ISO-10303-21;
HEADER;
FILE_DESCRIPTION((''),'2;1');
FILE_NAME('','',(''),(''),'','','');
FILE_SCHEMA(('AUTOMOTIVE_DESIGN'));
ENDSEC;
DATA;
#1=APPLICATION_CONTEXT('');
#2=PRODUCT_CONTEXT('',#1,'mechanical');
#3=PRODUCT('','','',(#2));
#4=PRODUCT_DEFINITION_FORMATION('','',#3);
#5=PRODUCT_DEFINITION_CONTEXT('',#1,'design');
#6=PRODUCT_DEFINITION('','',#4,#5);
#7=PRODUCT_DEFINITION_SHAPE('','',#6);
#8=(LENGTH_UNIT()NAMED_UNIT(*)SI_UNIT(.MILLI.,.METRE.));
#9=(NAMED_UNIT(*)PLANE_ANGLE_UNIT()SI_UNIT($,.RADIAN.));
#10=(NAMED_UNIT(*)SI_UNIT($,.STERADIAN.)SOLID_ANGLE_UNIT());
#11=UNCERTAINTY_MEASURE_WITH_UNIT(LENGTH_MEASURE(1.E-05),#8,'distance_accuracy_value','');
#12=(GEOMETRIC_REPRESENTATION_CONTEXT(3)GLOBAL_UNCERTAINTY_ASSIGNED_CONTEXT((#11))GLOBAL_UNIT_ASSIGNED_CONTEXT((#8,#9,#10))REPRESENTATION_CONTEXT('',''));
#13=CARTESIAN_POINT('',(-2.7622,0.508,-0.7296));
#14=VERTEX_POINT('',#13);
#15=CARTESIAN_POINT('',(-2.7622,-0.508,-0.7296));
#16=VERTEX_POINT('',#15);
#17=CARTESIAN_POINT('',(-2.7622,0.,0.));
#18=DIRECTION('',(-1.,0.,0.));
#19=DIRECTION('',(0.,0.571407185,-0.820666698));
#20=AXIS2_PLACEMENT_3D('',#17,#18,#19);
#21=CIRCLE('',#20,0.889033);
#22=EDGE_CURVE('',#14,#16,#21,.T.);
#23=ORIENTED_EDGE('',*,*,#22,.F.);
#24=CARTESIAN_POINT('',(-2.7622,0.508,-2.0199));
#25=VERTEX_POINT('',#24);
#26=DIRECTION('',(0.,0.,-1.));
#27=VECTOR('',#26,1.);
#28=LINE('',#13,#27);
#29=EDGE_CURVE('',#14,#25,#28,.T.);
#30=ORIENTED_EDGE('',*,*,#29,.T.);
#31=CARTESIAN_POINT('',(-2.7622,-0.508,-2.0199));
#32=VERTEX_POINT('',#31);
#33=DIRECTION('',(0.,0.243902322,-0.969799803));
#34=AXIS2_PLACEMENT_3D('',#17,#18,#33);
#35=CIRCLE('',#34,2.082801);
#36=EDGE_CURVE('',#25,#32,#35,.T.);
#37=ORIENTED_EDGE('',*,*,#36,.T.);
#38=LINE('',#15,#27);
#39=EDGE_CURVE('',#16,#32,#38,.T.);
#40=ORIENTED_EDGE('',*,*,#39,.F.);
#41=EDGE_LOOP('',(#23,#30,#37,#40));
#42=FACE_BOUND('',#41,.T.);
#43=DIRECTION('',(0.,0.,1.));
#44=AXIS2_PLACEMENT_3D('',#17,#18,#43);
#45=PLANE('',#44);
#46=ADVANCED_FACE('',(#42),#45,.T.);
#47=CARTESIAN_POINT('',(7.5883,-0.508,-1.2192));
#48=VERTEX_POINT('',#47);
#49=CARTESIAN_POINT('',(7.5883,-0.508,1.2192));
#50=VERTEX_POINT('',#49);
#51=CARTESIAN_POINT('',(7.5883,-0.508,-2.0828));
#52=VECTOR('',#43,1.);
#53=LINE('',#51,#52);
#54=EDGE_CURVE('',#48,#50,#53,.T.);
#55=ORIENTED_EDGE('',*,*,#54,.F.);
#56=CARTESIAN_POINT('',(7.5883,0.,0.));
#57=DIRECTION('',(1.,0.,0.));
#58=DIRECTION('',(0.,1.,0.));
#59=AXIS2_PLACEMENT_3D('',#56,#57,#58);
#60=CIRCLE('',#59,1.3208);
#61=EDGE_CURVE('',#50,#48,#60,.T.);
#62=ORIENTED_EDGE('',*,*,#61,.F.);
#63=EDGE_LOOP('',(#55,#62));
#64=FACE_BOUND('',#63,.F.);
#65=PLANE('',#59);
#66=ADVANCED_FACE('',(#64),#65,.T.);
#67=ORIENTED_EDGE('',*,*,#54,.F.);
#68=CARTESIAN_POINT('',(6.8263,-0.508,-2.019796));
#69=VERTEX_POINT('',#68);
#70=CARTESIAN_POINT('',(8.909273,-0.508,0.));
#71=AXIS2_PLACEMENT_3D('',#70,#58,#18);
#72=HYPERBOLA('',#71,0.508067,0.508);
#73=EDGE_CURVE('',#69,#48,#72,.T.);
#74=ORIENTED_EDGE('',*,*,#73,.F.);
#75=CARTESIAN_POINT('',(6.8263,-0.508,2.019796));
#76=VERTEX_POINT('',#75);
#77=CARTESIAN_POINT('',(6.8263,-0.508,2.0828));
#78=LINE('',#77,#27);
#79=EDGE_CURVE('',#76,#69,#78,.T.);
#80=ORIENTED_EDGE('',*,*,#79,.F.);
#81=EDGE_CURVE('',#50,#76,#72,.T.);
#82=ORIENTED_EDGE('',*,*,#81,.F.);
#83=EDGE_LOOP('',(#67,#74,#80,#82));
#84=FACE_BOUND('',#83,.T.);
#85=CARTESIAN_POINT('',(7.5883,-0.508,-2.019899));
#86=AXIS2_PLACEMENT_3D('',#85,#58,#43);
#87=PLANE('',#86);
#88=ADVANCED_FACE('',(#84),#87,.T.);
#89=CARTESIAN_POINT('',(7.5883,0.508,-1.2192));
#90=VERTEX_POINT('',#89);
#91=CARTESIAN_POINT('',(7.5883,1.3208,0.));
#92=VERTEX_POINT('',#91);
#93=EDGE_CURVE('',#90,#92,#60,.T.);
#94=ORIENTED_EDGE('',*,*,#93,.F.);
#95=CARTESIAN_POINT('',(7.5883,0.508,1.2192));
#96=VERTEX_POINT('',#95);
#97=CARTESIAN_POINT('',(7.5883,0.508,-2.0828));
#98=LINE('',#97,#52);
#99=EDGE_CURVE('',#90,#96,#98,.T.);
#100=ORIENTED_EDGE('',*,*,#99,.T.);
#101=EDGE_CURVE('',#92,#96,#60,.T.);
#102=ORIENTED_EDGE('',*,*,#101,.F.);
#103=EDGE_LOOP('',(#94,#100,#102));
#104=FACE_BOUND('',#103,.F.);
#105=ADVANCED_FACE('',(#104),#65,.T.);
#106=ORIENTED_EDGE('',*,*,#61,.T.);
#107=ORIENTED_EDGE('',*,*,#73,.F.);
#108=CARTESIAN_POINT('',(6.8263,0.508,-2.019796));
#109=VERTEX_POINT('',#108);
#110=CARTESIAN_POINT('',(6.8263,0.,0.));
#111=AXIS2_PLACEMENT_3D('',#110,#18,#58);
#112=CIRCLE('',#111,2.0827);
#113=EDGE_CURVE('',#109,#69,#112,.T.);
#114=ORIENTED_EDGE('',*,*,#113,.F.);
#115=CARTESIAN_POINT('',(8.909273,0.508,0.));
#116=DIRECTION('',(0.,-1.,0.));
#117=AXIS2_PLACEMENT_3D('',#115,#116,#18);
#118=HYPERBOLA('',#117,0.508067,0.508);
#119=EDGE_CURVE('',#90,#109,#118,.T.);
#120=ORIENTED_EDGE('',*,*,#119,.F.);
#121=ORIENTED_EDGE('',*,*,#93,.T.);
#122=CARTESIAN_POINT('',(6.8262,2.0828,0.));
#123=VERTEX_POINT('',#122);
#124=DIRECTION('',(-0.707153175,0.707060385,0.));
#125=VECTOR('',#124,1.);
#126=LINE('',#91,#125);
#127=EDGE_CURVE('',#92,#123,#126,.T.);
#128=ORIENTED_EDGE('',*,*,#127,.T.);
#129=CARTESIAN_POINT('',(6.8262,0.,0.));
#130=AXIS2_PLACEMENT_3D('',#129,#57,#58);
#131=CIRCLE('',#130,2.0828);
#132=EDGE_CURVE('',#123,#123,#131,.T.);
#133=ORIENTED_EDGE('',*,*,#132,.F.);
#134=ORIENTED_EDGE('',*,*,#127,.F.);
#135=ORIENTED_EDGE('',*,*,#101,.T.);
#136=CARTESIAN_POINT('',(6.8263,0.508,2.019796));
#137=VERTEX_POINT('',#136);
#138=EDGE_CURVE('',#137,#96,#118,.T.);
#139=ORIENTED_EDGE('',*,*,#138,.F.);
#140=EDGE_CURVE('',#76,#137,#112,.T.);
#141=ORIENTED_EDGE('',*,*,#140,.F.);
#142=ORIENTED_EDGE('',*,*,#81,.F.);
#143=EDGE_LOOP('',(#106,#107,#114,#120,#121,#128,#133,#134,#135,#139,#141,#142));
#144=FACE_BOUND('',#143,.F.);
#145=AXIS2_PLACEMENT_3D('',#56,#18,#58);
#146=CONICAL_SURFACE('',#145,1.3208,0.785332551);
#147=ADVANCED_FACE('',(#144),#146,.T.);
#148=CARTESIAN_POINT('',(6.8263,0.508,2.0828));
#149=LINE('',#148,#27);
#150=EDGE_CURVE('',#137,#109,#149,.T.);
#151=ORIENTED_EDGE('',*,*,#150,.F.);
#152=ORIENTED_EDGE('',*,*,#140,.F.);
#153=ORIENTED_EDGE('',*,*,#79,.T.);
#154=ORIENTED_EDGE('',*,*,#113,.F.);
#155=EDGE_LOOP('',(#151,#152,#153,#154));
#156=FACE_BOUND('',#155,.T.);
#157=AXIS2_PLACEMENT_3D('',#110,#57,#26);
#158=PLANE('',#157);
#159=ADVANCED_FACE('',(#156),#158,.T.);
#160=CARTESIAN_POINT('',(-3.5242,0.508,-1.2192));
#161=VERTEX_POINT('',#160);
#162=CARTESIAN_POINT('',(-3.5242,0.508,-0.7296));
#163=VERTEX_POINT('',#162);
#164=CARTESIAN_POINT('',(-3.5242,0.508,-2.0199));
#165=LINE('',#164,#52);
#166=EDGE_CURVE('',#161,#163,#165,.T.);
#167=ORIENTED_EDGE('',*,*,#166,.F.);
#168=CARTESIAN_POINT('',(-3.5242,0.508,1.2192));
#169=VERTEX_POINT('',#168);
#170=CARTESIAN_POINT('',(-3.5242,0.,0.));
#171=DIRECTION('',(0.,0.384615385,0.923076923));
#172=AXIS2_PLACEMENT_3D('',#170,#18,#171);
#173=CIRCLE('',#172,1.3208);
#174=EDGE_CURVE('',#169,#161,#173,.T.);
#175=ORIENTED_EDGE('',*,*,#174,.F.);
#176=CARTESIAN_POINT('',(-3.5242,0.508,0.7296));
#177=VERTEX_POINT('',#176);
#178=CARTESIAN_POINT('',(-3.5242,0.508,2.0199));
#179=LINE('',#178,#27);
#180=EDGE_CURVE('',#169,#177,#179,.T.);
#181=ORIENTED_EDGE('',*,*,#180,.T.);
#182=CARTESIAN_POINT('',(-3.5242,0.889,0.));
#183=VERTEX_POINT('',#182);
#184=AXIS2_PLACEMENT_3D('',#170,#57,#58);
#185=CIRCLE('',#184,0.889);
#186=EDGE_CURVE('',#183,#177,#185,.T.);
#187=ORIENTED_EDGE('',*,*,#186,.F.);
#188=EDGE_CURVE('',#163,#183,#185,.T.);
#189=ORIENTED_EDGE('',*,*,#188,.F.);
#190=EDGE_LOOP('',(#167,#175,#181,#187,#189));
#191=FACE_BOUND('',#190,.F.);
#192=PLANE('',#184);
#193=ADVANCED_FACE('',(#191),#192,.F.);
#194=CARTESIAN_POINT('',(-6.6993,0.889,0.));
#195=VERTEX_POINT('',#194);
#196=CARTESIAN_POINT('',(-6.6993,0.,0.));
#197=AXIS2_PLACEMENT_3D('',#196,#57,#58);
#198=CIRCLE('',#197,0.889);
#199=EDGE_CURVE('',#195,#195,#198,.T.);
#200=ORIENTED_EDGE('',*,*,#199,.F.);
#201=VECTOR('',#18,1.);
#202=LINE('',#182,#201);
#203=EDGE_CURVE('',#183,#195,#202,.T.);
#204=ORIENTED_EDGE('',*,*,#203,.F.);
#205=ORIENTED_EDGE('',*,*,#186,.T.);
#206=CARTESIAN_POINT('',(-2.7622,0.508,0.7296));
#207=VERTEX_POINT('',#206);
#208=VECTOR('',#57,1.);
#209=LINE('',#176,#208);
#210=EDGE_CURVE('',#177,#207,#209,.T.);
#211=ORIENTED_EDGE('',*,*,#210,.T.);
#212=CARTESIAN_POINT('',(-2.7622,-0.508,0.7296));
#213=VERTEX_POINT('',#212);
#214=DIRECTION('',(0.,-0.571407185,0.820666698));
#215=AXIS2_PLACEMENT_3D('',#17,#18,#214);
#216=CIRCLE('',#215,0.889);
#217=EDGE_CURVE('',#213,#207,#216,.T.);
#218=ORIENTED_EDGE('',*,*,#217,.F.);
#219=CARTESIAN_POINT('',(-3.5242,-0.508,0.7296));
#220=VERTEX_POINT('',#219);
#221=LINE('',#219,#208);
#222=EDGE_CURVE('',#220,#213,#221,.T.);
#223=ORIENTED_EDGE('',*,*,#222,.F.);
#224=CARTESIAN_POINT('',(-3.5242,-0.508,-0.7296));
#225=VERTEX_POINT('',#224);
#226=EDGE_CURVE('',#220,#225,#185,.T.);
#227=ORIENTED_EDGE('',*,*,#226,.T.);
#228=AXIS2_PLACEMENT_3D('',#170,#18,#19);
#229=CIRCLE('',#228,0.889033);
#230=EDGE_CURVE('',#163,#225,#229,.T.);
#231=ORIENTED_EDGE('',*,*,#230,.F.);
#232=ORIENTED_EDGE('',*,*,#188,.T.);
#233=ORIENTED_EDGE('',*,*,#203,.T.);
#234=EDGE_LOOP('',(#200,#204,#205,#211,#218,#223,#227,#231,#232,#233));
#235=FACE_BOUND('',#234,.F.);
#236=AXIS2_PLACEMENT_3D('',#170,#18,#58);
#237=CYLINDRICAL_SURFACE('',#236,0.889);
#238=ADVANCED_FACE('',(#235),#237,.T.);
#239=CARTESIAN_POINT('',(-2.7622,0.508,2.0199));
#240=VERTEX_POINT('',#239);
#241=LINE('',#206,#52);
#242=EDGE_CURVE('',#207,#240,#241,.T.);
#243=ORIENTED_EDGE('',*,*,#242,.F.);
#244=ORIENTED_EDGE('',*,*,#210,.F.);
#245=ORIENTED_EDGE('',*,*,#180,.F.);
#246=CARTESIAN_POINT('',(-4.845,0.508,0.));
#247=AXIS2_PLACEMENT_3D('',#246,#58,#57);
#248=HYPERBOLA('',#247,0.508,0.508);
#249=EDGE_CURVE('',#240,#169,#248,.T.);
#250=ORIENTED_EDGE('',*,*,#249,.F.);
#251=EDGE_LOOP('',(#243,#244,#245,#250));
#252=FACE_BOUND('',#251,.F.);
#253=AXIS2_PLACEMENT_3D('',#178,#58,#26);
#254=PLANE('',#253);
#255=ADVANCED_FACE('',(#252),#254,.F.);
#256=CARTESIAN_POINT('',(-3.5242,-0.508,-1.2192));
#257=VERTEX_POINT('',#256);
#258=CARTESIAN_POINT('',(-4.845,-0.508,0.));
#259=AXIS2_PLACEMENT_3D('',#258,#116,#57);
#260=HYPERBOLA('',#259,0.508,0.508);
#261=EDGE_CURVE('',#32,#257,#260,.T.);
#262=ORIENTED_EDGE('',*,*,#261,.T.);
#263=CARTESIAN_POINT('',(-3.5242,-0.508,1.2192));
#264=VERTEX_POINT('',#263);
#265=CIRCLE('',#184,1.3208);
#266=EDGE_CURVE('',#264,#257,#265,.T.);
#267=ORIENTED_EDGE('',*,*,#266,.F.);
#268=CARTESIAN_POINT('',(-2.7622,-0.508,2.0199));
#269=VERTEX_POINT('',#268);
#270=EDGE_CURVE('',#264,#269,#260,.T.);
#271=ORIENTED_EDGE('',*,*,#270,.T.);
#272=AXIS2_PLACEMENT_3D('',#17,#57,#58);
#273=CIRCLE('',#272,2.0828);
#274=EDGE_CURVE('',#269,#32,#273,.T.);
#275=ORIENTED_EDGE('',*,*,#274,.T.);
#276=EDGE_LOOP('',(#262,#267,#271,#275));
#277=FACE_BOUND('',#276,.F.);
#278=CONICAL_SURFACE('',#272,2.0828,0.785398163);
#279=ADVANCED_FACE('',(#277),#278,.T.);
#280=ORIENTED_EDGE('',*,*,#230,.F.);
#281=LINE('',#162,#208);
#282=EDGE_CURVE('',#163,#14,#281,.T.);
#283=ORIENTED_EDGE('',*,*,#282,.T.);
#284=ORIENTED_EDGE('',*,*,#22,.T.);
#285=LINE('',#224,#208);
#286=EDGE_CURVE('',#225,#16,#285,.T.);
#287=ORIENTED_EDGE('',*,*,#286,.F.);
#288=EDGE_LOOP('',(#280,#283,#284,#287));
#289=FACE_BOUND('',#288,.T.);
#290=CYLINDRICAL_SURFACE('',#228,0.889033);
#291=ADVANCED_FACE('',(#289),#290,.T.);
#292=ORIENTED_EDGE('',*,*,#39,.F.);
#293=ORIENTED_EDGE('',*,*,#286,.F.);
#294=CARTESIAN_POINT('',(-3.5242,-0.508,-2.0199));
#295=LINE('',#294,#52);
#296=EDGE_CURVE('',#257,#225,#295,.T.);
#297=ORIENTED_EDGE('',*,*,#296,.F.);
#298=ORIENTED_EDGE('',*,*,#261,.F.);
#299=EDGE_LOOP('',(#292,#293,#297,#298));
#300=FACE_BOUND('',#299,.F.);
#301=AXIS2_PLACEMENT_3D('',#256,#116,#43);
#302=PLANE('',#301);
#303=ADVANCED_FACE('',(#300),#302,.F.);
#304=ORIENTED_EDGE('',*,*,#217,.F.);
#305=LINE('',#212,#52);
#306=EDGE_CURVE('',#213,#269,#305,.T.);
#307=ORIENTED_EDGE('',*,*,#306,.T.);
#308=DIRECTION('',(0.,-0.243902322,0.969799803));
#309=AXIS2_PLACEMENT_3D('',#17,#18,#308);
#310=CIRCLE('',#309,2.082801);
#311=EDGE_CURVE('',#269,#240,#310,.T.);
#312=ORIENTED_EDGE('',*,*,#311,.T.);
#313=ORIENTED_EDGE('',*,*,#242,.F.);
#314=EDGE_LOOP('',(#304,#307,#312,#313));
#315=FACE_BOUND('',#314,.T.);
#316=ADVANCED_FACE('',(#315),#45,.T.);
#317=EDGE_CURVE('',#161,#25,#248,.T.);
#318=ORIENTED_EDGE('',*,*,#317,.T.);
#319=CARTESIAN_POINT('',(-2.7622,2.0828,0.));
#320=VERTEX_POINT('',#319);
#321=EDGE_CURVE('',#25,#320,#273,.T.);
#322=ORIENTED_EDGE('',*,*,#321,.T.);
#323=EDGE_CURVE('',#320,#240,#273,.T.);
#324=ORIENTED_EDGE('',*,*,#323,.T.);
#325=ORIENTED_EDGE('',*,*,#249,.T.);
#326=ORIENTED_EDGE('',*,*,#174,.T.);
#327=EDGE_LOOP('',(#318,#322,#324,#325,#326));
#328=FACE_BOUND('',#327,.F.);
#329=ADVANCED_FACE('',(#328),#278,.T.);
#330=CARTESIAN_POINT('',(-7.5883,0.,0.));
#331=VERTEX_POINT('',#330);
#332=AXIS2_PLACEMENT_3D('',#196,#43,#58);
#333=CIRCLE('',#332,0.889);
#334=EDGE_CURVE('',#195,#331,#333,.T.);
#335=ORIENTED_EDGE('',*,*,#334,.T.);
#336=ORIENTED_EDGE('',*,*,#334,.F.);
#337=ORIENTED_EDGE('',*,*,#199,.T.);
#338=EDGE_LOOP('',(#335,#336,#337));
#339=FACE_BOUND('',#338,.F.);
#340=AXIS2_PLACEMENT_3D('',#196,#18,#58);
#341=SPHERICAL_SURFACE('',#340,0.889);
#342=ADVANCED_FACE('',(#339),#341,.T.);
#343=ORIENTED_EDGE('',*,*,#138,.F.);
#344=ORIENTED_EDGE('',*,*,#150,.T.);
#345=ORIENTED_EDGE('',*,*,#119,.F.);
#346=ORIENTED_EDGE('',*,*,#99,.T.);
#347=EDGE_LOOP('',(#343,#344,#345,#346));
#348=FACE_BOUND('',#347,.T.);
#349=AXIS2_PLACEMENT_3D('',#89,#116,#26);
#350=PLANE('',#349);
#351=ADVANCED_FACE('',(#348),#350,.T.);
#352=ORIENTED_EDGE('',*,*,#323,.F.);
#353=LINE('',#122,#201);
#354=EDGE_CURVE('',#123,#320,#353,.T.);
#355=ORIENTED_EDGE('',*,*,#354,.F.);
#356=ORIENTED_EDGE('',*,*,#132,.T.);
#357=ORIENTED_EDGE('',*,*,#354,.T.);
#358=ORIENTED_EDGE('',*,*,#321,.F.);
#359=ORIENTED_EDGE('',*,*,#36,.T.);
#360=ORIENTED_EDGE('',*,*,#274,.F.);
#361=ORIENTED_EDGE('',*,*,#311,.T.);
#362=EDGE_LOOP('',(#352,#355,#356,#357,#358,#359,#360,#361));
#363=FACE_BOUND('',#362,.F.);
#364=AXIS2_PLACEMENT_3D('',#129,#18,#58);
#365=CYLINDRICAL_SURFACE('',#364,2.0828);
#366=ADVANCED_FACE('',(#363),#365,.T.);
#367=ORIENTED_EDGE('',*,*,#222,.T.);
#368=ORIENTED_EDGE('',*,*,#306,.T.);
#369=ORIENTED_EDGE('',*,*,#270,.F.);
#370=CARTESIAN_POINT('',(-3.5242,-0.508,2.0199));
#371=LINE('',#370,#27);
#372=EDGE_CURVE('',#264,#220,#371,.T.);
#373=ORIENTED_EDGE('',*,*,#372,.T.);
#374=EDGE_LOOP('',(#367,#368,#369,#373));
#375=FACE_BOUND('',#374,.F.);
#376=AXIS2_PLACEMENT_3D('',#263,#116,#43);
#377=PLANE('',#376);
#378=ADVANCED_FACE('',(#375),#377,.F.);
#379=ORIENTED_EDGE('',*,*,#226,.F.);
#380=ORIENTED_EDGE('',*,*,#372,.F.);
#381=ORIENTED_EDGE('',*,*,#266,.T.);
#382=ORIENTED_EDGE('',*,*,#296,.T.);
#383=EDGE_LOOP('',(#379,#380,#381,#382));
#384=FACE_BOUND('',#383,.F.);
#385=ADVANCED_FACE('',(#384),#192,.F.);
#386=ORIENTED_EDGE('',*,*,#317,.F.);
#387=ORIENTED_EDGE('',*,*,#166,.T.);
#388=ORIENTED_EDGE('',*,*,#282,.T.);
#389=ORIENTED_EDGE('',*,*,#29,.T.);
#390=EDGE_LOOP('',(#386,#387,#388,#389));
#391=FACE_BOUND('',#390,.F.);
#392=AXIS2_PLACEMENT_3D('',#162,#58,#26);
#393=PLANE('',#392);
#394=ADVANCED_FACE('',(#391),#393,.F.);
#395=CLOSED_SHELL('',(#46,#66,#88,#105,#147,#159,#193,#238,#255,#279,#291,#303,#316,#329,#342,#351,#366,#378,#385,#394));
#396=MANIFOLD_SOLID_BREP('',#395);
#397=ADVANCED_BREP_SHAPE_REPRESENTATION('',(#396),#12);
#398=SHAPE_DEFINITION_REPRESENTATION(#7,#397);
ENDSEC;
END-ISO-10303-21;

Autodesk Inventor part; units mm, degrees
ref_plane "YZ Plane" through (0, 0, 0) normal (1, 0, 0) x (0, 1, 0)
ref_plane "XZ Plane" through (0, 0, 0) normal (0, 1, 0) x (-1, 0, 0)
ref_plane "XY Plane" through (0, 0, 0) normal (0, 0, 1) x (1, 0, 0)
sketch "Sketch1" plane through (0, 0, 0) normal (0, 0, 1) x (1, 0, 0)
  line L0 (-7.5883, 0) -> (7.5883, 0)
  line L1 (7.5883, 0) -> (7.5883, 1.3208)
  line L2 (7.5883, 1.3208) -> (6.8262, 2.0828)
  line L3 (6.8262, 2.0828) -> (-2.7622, 2.0828)
  line L4 (-2.7622, 2.0828) -> (-3.5242, 1.3208)
  line L5 (-3.5242, 1.3208) -> (-3.5242, 0.889)
  line L6 (-3.5242, 0.889) -> (-6.6993, 0.889)
  arc A0 (-6.6993, 0.889) -> (-7.5883, 0) centre (-6.6993, 0) ccw
  point P0 (0, 0)
  point P1 (0, 0)
  dimension "d0" = 4.1656
  dimension "d1" = 11.1125
  dimension "d2" = 1.778
  dimension "d3" = 0.762
  dimension "d4" = 4.064
revolve "Revolution1" add sketch "Sketch1" angle 360 about axis through (-7.5883, 0, 0) along (1, 0, 0)
sketch "Sketch2" plane through (7.5883, 0, 0) normal (1, 0, 0) x (0, 0, -1)
  circle A0 centre (0, 0) radius 2.0828 projected
  circle A1 centre (0, 0) radius 1.3208 projected
  line L0 (-2.0828, 0.508) -> (2.0828, 0.508)
  line L1 (2.0828, 0.508) -> (2.0828, -0.508)
  line L2 (2.0828, -0.508) -> (-2.0828, -0.508)
  line L3 (-2.0828, -0.508) -> (-2.0828, 0.508)
  point P0 (0, 0)
  point P1 (-2.0828, 0)
  dimension "d6" = 1.016
extrude "Extrusion1" cut sketch "Sketch2" against normal blind 0.762 contours A0 L2 A1 L0 | L1 L2 A0 | A0 L0 L1 | L0 A1 L2 A0 | A0 L3 L0 | A1 L2 L0 | L2 L3 A0
thread "Thread1" size "8-36 UNF" class "2A" standard "ANSI Unified Screw Threads" full length
sketch "Sketch3" plane through (-3.5242, 0, 0) normal (-1, 0, 0) x (0, 0, 1)
  arc A0 (2.0199, -0.508) -> (2.0199, 0.508) centre (0, 0) ccw projected
  line L0 (-2.0199, -0.508) -> (2.0199, -0.508) projected
  arc A1 (-2.0199, 0.508) -> (-2.0199, -0.508) centre (0, 0) ccw projected
  line L1 (2.0199, 0.508) -> (-2.0199, 0.508) projected
  circle A2 centre (0, 0) radius 0.889 projected
  circle A3 centre (0, 0) radius 1.3208 projected
  arc A4 (-0.7296, 0.508) -> (-0.7296, -0.508) centre (0, 0) ccw
  arc A5 (0.7296, -0.508) -> (0.7296, 0.508) centre (0, 0) ccw
  point P0 (0, 0)
extrude "Extrusion2" cut sketch "Sketch3" against normal blind 0.762 contours L0 A3 L1 A0 | L0 A2 L1 A3 | A3 L1 A2 L0 | L0 A1 L1 A3
properties part number "Spring_Separation" material "Stainless Steel"
